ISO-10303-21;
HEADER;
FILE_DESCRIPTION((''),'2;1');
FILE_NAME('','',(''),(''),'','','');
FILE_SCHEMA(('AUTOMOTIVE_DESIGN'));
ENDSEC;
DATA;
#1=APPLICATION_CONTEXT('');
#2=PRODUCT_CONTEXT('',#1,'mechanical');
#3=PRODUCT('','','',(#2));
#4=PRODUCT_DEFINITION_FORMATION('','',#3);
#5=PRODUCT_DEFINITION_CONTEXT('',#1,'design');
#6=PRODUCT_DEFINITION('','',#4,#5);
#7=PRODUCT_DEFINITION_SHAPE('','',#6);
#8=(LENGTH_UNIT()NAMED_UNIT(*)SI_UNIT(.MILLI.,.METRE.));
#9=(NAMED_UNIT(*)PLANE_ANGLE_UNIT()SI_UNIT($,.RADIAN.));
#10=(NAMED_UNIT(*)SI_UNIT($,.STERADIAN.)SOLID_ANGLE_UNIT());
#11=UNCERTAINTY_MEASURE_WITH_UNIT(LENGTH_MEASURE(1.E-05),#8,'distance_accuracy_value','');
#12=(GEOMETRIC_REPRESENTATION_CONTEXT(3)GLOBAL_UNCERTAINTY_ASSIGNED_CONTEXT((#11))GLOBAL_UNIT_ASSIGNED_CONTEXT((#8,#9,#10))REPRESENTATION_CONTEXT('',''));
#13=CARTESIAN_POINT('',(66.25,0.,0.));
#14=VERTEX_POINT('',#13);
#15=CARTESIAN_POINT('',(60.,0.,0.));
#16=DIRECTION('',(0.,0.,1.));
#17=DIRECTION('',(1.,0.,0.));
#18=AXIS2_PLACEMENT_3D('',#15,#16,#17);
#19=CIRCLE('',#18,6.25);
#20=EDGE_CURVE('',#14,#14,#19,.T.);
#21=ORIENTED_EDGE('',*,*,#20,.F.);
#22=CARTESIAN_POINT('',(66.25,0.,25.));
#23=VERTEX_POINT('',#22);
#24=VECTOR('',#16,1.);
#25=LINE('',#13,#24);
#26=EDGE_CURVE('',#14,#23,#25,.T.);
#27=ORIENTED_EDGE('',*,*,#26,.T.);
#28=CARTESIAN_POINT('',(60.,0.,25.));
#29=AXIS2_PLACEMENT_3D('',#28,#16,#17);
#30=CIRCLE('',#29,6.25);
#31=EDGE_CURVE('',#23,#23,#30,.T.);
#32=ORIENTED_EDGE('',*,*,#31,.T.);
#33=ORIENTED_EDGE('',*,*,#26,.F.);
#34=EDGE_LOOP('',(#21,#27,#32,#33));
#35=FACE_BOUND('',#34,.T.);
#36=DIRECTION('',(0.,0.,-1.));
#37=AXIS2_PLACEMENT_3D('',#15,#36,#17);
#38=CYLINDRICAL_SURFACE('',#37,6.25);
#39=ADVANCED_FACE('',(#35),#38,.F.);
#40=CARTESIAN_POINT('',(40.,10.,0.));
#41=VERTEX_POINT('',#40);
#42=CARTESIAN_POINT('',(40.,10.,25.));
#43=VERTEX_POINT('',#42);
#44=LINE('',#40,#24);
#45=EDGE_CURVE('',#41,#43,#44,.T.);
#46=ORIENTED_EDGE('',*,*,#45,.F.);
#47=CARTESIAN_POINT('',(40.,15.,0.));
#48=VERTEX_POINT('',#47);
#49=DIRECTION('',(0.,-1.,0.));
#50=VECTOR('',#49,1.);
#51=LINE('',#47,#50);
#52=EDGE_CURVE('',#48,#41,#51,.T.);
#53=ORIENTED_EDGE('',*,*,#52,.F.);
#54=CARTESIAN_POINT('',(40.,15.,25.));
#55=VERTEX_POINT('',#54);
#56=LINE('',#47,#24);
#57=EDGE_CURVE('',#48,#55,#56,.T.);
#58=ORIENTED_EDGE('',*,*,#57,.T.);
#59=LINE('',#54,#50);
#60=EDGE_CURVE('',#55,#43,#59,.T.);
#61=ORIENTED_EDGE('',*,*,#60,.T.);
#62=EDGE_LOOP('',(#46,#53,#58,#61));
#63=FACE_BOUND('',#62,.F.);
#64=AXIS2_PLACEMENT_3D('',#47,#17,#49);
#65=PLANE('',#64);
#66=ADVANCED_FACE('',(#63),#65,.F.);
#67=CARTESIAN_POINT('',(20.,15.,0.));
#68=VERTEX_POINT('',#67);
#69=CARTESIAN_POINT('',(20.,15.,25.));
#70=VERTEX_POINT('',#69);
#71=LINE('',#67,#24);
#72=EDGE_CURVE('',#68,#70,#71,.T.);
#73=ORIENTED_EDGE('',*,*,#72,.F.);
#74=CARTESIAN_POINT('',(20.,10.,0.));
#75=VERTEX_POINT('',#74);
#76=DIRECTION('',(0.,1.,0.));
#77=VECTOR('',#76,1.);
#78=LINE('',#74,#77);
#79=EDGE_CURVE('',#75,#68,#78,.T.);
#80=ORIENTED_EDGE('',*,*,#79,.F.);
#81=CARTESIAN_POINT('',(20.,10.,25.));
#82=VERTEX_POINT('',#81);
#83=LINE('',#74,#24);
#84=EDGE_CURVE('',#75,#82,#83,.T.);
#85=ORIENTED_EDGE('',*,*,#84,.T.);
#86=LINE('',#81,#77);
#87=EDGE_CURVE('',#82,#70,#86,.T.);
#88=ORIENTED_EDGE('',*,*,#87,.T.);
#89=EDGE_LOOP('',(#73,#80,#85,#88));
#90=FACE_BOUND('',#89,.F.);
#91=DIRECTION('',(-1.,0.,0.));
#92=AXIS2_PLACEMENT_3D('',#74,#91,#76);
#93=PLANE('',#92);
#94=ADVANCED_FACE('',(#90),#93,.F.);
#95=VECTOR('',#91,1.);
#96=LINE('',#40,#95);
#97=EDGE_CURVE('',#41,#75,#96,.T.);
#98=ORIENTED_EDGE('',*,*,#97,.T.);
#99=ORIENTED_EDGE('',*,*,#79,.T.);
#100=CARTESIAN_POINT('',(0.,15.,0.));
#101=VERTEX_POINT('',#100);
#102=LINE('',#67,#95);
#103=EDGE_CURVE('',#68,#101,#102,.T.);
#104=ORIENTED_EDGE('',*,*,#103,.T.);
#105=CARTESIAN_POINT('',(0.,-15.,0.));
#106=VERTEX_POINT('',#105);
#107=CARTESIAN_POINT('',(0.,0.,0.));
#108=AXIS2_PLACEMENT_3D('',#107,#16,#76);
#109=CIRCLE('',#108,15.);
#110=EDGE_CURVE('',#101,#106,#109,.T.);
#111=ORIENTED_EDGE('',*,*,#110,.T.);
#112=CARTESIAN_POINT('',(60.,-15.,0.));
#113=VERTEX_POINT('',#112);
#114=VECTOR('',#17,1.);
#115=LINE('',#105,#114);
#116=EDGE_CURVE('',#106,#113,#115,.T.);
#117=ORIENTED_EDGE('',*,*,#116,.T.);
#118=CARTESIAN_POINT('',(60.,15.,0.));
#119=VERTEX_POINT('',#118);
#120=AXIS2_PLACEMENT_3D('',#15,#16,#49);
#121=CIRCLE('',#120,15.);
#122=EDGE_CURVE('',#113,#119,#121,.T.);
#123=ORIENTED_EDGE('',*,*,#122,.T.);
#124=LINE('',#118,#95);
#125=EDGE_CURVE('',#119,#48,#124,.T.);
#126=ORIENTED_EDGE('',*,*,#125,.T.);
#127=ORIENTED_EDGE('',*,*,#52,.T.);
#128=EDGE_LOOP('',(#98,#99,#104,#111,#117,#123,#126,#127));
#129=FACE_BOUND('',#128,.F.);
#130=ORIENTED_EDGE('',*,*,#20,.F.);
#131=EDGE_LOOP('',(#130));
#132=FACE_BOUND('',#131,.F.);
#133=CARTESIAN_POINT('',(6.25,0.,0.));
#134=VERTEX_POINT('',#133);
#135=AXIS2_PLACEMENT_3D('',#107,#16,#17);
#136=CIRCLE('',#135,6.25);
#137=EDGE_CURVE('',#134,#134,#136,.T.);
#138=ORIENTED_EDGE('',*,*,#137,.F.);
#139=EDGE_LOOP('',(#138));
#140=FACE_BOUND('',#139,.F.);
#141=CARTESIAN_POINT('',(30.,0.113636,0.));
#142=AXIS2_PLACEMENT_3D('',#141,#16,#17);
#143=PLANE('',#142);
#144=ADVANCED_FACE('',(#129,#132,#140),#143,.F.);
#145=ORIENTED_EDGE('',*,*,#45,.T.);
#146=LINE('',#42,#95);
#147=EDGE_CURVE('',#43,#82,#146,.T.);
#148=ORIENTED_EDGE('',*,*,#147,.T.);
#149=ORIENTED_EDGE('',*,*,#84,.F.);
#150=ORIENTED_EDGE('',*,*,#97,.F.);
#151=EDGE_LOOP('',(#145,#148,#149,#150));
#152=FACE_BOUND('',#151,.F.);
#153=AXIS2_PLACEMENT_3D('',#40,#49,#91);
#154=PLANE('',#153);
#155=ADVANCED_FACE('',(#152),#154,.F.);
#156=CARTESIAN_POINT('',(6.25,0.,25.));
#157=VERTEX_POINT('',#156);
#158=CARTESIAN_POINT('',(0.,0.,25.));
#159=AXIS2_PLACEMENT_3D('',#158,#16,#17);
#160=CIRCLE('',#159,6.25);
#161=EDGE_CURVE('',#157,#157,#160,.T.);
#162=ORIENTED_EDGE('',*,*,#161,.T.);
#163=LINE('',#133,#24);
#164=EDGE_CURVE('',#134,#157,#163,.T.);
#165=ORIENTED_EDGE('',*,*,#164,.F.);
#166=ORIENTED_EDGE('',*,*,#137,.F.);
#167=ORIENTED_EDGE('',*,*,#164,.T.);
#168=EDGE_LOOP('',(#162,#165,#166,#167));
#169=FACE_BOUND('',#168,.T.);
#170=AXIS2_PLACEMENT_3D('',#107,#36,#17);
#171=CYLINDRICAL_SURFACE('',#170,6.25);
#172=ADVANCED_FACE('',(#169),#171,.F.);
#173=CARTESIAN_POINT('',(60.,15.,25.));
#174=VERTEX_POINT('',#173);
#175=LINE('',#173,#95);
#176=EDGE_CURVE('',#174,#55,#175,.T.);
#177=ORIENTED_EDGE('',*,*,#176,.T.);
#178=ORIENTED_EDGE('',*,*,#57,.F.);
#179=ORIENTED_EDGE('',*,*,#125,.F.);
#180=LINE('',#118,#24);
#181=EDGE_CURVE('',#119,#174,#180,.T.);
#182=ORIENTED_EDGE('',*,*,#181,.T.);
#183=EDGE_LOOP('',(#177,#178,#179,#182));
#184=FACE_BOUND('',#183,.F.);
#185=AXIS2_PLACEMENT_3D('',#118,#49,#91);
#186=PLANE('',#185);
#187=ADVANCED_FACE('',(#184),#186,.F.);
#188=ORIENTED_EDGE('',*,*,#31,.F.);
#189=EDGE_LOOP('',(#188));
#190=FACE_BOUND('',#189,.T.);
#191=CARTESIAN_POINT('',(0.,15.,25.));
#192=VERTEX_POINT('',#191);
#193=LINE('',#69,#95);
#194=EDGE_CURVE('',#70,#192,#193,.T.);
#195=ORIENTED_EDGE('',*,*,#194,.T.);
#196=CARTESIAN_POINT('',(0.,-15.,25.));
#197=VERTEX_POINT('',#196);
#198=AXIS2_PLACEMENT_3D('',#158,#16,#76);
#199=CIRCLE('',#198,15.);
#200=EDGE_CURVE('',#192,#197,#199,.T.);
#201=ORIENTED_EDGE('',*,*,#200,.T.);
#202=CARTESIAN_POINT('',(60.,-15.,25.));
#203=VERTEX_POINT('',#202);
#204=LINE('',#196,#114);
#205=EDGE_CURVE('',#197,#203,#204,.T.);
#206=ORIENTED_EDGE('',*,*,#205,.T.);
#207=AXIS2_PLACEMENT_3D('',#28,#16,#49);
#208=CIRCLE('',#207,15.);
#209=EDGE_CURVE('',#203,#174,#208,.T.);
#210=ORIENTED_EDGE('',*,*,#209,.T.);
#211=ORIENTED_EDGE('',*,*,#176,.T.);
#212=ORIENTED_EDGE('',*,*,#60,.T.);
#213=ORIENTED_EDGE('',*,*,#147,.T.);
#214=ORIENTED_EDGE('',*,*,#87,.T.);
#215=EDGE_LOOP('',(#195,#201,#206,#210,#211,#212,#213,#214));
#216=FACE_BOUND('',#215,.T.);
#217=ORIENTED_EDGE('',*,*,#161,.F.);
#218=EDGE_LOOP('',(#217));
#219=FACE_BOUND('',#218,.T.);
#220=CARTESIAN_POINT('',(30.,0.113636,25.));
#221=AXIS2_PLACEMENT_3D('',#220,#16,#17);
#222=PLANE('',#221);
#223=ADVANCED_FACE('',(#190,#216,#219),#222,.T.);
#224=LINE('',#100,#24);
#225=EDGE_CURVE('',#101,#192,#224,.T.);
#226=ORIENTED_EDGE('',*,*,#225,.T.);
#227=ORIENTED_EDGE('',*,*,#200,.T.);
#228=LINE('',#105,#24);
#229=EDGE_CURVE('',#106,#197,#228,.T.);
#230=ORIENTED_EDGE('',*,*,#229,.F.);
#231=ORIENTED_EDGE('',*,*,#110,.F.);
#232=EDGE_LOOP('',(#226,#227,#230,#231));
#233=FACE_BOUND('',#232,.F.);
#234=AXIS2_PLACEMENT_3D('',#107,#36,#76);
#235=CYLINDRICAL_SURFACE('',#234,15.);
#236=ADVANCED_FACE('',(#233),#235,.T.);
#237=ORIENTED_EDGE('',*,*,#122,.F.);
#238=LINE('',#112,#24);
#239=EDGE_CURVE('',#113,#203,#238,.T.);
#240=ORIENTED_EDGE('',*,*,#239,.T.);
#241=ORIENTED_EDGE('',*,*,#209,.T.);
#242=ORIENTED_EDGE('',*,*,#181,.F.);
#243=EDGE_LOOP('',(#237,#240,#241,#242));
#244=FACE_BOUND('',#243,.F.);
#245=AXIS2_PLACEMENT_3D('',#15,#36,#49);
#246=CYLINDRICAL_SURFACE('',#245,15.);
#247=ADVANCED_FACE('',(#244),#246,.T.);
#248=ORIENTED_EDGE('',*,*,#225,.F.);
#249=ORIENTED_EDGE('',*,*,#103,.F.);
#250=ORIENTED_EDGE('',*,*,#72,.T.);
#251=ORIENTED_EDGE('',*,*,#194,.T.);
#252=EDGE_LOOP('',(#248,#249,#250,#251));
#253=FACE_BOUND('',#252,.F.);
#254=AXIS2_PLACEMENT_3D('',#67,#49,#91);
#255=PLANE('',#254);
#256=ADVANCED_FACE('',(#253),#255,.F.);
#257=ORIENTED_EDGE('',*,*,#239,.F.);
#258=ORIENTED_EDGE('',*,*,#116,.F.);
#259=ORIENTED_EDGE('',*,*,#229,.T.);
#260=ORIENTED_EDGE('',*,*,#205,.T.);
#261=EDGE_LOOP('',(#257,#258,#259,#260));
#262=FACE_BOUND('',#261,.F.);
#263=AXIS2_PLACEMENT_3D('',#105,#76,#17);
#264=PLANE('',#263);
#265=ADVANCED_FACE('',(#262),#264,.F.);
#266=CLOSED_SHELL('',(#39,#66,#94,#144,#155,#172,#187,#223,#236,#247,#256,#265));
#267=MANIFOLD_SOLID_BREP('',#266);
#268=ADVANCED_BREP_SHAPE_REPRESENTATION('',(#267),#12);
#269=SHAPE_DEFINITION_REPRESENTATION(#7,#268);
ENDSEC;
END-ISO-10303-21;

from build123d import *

# Parameters (mm, degrees)
F0_R     = 6.25
F1_DEPTH = 25


with BuildPart() as f1:
    # F0 (on Top) → F1 (new body)
    with BuildSketch(Plane.XY):
        with BuildLine():
            Line((20, 15), (0, 15))
            ThreePointArc((0, 15), (-15, 0), (0, -15))
            Line((0, -15), (60, -15))
            ThreePointArc((60, -15), (75, 0), (60, 15))
            Line((60, 15), (40, 15))
            Line((40, 15), (40, 10))
            Line((40, 10), (20, 10))
            Line((20, 10), (20, 15))
        make_face()
        Circle(F0_R, mode=Mode.SUBTRACT)
        with Locations((60, 0)):
            Circle(F0_R, mode=Mode.SUBTRACT)
    extrude(amount=F1_DEPTH)


solid = f1.part
